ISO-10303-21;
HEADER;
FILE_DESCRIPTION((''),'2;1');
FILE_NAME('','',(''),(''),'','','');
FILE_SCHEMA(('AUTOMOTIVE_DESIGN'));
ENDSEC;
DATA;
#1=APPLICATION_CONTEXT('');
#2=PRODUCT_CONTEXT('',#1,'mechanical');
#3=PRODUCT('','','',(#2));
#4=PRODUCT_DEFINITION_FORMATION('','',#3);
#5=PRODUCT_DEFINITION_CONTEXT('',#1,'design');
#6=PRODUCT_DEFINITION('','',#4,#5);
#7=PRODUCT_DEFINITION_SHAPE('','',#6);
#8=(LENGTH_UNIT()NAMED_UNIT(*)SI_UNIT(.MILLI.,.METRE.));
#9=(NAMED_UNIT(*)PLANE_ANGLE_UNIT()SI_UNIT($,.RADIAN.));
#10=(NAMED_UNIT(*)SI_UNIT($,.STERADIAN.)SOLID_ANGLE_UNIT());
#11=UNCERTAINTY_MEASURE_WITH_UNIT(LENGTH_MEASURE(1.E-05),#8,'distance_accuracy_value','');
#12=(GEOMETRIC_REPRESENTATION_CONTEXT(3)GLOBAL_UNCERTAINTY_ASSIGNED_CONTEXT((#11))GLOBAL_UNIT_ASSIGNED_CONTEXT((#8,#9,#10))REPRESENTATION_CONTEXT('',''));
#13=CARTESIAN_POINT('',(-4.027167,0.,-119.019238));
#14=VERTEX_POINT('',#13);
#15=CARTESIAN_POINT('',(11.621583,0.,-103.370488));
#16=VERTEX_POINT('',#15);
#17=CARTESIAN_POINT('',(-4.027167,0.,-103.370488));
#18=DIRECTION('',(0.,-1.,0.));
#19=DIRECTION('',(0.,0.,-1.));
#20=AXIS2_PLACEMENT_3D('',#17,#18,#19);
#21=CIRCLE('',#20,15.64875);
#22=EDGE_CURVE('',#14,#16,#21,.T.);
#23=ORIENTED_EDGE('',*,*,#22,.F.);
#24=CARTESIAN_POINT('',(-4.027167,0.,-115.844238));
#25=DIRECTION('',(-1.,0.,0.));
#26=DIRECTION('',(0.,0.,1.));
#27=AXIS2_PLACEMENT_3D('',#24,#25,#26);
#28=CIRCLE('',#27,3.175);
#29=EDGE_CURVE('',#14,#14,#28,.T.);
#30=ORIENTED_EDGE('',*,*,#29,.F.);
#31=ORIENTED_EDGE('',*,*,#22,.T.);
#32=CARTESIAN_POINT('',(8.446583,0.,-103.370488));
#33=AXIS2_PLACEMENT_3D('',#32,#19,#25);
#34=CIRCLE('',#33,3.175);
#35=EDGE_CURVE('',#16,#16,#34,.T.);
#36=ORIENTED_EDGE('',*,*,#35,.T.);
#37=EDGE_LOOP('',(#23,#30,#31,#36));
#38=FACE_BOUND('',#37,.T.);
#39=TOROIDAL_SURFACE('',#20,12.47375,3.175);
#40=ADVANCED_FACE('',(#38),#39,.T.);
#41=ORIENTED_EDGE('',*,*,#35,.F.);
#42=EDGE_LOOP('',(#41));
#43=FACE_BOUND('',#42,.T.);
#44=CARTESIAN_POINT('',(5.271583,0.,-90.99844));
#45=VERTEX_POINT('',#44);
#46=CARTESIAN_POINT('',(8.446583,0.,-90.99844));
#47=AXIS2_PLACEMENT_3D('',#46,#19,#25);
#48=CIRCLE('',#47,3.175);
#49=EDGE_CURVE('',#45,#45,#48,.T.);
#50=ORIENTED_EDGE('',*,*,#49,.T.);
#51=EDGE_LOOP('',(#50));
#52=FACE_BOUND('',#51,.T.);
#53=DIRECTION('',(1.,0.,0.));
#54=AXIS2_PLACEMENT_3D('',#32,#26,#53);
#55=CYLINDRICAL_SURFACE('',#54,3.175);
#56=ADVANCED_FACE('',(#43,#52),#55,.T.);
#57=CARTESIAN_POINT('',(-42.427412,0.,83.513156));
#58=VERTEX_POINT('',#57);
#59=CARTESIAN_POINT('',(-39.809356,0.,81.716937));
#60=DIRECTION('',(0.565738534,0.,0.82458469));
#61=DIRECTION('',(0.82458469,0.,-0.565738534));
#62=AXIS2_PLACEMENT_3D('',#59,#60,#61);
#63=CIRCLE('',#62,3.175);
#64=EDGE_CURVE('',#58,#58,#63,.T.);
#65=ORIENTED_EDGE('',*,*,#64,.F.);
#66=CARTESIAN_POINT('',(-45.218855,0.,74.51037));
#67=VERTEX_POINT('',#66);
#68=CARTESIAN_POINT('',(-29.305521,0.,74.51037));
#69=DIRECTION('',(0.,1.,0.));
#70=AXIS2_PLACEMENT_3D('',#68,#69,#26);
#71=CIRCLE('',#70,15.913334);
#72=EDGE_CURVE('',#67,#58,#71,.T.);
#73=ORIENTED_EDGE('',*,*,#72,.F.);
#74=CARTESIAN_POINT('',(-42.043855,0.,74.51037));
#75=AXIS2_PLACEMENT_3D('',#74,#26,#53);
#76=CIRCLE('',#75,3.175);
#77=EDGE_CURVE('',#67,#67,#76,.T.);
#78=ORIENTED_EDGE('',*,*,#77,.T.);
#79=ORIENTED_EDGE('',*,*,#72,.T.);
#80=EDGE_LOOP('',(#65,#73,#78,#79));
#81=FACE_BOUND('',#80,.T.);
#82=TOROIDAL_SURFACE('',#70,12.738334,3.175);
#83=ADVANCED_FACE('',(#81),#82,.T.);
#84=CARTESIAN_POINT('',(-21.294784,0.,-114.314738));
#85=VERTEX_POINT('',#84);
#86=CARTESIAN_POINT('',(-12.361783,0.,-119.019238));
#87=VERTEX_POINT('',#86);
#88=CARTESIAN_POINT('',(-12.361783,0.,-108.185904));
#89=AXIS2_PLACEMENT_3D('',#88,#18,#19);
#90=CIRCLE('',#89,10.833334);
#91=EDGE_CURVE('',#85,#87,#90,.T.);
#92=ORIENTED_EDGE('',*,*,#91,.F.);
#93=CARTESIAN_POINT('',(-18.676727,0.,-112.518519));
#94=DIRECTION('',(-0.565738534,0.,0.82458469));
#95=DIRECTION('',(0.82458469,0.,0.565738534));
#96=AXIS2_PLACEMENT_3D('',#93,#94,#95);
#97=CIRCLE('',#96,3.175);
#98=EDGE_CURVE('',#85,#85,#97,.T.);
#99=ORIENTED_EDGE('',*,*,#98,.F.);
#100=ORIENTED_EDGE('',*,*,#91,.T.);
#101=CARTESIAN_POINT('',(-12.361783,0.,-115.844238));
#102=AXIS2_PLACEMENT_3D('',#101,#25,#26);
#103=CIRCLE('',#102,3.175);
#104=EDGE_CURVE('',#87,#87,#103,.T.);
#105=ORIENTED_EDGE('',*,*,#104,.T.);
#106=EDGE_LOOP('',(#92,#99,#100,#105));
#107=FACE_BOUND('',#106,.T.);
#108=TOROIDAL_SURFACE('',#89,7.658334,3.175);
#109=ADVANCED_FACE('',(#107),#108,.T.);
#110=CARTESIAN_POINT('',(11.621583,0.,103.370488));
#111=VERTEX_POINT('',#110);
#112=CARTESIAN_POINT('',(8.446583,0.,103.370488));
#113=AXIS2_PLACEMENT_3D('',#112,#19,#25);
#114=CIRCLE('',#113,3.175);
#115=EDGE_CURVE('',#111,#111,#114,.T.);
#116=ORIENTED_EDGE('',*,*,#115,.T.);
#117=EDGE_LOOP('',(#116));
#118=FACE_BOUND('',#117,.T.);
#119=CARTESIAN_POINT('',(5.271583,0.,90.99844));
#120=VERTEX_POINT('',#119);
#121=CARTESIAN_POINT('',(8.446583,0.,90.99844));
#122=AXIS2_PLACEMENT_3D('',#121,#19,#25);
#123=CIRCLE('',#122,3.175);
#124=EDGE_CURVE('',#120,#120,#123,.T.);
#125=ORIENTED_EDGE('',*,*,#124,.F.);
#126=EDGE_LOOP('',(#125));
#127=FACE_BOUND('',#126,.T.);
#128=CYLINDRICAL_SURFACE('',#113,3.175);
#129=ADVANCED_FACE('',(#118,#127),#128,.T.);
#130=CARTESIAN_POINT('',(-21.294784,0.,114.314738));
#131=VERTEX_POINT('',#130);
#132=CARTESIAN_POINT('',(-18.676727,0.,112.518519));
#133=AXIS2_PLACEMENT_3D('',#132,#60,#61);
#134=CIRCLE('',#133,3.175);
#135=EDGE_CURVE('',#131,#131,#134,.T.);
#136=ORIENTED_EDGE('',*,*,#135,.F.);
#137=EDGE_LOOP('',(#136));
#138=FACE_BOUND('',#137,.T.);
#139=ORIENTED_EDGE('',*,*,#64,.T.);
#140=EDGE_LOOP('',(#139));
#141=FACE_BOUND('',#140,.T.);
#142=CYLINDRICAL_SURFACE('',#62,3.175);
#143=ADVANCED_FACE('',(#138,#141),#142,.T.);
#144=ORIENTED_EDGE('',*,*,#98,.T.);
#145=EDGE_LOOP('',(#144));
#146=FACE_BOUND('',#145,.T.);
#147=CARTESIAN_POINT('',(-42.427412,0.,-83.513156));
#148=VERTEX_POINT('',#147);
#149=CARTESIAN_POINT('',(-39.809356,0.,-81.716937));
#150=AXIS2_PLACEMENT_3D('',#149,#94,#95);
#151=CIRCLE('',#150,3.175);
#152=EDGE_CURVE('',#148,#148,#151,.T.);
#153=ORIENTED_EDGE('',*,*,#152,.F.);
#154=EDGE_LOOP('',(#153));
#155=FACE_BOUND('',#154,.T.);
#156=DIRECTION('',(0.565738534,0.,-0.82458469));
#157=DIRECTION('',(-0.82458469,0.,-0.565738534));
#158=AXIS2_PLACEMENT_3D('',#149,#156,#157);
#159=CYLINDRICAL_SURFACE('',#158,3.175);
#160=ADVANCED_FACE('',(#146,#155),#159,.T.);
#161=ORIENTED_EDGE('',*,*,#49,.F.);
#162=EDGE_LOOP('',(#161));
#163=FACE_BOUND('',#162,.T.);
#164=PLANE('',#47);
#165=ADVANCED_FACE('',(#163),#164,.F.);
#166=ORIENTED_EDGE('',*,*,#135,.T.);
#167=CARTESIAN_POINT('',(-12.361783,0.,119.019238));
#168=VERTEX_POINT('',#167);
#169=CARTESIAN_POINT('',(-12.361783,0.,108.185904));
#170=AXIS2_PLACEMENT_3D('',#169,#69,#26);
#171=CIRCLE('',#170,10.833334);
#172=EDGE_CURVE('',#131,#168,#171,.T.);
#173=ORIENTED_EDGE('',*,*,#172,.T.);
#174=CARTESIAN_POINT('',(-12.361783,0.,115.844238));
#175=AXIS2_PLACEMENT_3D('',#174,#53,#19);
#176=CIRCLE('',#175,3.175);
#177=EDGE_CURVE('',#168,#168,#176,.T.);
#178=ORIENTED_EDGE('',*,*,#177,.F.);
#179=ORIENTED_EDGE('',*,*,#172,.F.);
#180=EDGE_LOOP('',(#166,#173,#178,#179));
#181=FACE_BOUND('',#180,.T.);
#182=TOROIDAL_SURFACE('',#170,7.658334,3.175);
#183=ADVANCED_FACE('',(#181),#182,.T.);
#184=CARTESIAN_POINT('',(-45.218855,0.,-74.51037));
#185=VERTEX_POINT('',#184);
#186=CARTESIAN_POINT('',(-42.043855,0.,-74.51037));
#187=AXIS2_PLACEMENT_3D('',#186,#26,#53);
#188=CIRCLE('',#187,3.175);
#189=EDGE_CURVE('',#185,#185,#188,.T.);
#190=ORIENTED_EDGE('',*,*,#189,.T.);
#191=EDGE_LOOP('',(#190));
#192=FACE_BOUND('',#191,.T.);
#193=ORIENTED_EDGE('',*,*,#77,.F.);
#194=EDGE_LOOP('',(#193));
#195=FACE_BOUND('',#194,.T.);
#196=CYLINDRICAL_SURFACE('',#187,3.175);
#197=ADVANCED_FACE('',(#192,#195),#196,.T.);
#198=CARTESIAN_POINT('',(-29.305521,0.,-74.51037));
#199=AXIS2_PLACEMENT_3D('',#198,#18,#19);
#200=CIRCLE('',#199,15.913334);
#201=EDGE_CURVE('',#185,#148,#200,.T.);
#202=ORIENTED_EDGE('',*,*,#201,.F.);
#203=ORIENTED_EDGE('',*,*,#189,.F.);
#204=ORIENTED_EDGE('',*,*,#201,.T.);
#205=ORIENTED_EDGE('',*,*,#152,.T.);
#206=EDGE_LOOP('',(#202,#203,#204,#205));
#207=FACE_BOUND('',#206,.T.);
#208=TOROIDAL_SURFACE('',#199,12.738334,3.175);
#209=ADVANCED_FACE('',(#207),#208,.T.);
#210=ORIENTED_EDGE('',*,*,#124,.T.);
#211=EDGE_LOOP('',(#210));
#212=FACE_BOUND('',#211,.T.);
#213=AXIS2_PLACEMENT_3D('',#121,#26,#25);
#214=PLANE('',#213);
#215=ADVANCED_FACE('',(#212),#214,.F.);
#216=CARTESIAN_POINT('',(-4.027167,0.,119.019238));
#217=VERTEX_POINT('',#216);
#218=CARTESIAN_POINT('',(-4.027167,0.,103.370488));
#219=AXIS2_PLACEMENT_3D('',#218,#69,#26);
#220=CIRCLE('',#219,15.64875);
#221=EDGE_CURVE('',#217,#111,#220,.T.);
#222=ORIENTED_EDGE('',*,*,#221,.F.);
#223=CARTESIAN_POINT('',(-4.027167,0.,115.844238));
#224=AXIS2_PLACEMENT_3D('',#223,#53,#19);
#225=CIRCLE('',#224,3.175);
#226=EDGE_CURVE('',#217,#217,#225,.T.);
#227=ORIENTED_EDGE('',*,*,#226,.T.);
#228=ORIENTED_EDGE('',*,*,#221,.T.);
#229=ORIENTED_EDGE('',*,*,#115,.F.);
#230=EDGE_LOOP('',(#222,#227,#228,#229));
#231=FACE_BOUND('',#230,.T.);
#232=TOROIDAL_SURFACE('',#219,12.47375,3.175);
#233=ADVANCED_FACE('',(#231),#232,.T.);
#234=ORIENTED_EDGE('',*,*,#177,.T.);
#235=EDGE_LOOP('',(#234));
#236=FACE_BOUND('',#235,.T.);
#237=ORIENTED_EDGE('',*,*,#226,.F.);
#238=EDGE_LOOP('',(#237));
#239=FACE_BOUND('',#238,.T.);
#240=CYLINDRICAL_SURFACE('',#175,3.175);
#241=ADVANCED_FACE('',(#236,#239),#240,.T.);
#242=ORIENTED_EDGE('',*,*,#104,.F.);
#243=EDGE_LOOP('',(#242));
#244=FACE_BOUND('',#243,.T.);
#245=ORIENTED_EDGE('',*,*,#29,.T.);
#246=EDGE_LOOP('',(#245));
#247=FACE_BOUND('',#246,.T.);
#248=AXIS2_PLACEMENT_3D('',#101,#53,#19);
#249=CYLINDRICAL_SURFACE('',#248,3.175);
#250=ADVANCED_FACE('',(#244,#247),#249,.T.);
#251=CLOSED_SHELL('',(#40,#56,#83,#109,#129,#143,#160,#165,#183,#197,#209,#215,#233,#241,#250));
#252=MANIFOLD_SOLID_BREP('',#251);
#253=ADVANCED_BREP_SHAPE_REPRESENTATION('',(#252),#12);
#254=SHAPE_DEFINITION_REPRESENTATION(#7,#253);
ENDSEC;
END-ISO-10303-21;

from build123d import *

# Parameters (mm, degrees)
SKETCH3_R = 3.175


with BuildPart() as part:
    # Sweep1: sweep along a path in Sketch2
    with BuildLine(Plane(origin=(0, 0, 0), x_dir=(1, 0, 0), z_dir=(0, 1, 0))) as sweep1_path:
        Line((-42.005520706, 0), (-42.005520706, 74.510370248))
        ThreePointArc((-42.005520706, 74.510370248), (-41.43579821, 78.271535981), (-39.777746269, 81.695249631))
        Line((-39.777746269, 81.695249631), (-18.645117879, 112.496831598))
        ThreePointArc((-18.645117879, 112.496831598), (-15.912495952, 114.928072333), (-12.361782541, 115.805903968))
        Line((-12.361782541, 115.805903968), (-4.027166859, 115.805903968))
        ThreePointArc((-4.027166859, 115.805903968), (4.766000348, 112.163654854), (8.408249461, 103.370487647))
        Line((8.408249461, 103.370487647), (8.408249461, 90.998440491))
    # Sketch3 → Sweep1 (sweep)
    with BuildSketch(Plane.XY):
        with Locations((-42.04385452, 0)):
            Circle(SKETCH3_R)
    sweep1 = sweep(path=sweep1_path.line)

    # Mirror2: Sweep1 across plane
    add(sweep1.mirror(Plane(origin=(-42.04385452, 0, 0), x_dir=(1, 0, 0), z_dir=(0, 0, 1))))


solid = part.part
